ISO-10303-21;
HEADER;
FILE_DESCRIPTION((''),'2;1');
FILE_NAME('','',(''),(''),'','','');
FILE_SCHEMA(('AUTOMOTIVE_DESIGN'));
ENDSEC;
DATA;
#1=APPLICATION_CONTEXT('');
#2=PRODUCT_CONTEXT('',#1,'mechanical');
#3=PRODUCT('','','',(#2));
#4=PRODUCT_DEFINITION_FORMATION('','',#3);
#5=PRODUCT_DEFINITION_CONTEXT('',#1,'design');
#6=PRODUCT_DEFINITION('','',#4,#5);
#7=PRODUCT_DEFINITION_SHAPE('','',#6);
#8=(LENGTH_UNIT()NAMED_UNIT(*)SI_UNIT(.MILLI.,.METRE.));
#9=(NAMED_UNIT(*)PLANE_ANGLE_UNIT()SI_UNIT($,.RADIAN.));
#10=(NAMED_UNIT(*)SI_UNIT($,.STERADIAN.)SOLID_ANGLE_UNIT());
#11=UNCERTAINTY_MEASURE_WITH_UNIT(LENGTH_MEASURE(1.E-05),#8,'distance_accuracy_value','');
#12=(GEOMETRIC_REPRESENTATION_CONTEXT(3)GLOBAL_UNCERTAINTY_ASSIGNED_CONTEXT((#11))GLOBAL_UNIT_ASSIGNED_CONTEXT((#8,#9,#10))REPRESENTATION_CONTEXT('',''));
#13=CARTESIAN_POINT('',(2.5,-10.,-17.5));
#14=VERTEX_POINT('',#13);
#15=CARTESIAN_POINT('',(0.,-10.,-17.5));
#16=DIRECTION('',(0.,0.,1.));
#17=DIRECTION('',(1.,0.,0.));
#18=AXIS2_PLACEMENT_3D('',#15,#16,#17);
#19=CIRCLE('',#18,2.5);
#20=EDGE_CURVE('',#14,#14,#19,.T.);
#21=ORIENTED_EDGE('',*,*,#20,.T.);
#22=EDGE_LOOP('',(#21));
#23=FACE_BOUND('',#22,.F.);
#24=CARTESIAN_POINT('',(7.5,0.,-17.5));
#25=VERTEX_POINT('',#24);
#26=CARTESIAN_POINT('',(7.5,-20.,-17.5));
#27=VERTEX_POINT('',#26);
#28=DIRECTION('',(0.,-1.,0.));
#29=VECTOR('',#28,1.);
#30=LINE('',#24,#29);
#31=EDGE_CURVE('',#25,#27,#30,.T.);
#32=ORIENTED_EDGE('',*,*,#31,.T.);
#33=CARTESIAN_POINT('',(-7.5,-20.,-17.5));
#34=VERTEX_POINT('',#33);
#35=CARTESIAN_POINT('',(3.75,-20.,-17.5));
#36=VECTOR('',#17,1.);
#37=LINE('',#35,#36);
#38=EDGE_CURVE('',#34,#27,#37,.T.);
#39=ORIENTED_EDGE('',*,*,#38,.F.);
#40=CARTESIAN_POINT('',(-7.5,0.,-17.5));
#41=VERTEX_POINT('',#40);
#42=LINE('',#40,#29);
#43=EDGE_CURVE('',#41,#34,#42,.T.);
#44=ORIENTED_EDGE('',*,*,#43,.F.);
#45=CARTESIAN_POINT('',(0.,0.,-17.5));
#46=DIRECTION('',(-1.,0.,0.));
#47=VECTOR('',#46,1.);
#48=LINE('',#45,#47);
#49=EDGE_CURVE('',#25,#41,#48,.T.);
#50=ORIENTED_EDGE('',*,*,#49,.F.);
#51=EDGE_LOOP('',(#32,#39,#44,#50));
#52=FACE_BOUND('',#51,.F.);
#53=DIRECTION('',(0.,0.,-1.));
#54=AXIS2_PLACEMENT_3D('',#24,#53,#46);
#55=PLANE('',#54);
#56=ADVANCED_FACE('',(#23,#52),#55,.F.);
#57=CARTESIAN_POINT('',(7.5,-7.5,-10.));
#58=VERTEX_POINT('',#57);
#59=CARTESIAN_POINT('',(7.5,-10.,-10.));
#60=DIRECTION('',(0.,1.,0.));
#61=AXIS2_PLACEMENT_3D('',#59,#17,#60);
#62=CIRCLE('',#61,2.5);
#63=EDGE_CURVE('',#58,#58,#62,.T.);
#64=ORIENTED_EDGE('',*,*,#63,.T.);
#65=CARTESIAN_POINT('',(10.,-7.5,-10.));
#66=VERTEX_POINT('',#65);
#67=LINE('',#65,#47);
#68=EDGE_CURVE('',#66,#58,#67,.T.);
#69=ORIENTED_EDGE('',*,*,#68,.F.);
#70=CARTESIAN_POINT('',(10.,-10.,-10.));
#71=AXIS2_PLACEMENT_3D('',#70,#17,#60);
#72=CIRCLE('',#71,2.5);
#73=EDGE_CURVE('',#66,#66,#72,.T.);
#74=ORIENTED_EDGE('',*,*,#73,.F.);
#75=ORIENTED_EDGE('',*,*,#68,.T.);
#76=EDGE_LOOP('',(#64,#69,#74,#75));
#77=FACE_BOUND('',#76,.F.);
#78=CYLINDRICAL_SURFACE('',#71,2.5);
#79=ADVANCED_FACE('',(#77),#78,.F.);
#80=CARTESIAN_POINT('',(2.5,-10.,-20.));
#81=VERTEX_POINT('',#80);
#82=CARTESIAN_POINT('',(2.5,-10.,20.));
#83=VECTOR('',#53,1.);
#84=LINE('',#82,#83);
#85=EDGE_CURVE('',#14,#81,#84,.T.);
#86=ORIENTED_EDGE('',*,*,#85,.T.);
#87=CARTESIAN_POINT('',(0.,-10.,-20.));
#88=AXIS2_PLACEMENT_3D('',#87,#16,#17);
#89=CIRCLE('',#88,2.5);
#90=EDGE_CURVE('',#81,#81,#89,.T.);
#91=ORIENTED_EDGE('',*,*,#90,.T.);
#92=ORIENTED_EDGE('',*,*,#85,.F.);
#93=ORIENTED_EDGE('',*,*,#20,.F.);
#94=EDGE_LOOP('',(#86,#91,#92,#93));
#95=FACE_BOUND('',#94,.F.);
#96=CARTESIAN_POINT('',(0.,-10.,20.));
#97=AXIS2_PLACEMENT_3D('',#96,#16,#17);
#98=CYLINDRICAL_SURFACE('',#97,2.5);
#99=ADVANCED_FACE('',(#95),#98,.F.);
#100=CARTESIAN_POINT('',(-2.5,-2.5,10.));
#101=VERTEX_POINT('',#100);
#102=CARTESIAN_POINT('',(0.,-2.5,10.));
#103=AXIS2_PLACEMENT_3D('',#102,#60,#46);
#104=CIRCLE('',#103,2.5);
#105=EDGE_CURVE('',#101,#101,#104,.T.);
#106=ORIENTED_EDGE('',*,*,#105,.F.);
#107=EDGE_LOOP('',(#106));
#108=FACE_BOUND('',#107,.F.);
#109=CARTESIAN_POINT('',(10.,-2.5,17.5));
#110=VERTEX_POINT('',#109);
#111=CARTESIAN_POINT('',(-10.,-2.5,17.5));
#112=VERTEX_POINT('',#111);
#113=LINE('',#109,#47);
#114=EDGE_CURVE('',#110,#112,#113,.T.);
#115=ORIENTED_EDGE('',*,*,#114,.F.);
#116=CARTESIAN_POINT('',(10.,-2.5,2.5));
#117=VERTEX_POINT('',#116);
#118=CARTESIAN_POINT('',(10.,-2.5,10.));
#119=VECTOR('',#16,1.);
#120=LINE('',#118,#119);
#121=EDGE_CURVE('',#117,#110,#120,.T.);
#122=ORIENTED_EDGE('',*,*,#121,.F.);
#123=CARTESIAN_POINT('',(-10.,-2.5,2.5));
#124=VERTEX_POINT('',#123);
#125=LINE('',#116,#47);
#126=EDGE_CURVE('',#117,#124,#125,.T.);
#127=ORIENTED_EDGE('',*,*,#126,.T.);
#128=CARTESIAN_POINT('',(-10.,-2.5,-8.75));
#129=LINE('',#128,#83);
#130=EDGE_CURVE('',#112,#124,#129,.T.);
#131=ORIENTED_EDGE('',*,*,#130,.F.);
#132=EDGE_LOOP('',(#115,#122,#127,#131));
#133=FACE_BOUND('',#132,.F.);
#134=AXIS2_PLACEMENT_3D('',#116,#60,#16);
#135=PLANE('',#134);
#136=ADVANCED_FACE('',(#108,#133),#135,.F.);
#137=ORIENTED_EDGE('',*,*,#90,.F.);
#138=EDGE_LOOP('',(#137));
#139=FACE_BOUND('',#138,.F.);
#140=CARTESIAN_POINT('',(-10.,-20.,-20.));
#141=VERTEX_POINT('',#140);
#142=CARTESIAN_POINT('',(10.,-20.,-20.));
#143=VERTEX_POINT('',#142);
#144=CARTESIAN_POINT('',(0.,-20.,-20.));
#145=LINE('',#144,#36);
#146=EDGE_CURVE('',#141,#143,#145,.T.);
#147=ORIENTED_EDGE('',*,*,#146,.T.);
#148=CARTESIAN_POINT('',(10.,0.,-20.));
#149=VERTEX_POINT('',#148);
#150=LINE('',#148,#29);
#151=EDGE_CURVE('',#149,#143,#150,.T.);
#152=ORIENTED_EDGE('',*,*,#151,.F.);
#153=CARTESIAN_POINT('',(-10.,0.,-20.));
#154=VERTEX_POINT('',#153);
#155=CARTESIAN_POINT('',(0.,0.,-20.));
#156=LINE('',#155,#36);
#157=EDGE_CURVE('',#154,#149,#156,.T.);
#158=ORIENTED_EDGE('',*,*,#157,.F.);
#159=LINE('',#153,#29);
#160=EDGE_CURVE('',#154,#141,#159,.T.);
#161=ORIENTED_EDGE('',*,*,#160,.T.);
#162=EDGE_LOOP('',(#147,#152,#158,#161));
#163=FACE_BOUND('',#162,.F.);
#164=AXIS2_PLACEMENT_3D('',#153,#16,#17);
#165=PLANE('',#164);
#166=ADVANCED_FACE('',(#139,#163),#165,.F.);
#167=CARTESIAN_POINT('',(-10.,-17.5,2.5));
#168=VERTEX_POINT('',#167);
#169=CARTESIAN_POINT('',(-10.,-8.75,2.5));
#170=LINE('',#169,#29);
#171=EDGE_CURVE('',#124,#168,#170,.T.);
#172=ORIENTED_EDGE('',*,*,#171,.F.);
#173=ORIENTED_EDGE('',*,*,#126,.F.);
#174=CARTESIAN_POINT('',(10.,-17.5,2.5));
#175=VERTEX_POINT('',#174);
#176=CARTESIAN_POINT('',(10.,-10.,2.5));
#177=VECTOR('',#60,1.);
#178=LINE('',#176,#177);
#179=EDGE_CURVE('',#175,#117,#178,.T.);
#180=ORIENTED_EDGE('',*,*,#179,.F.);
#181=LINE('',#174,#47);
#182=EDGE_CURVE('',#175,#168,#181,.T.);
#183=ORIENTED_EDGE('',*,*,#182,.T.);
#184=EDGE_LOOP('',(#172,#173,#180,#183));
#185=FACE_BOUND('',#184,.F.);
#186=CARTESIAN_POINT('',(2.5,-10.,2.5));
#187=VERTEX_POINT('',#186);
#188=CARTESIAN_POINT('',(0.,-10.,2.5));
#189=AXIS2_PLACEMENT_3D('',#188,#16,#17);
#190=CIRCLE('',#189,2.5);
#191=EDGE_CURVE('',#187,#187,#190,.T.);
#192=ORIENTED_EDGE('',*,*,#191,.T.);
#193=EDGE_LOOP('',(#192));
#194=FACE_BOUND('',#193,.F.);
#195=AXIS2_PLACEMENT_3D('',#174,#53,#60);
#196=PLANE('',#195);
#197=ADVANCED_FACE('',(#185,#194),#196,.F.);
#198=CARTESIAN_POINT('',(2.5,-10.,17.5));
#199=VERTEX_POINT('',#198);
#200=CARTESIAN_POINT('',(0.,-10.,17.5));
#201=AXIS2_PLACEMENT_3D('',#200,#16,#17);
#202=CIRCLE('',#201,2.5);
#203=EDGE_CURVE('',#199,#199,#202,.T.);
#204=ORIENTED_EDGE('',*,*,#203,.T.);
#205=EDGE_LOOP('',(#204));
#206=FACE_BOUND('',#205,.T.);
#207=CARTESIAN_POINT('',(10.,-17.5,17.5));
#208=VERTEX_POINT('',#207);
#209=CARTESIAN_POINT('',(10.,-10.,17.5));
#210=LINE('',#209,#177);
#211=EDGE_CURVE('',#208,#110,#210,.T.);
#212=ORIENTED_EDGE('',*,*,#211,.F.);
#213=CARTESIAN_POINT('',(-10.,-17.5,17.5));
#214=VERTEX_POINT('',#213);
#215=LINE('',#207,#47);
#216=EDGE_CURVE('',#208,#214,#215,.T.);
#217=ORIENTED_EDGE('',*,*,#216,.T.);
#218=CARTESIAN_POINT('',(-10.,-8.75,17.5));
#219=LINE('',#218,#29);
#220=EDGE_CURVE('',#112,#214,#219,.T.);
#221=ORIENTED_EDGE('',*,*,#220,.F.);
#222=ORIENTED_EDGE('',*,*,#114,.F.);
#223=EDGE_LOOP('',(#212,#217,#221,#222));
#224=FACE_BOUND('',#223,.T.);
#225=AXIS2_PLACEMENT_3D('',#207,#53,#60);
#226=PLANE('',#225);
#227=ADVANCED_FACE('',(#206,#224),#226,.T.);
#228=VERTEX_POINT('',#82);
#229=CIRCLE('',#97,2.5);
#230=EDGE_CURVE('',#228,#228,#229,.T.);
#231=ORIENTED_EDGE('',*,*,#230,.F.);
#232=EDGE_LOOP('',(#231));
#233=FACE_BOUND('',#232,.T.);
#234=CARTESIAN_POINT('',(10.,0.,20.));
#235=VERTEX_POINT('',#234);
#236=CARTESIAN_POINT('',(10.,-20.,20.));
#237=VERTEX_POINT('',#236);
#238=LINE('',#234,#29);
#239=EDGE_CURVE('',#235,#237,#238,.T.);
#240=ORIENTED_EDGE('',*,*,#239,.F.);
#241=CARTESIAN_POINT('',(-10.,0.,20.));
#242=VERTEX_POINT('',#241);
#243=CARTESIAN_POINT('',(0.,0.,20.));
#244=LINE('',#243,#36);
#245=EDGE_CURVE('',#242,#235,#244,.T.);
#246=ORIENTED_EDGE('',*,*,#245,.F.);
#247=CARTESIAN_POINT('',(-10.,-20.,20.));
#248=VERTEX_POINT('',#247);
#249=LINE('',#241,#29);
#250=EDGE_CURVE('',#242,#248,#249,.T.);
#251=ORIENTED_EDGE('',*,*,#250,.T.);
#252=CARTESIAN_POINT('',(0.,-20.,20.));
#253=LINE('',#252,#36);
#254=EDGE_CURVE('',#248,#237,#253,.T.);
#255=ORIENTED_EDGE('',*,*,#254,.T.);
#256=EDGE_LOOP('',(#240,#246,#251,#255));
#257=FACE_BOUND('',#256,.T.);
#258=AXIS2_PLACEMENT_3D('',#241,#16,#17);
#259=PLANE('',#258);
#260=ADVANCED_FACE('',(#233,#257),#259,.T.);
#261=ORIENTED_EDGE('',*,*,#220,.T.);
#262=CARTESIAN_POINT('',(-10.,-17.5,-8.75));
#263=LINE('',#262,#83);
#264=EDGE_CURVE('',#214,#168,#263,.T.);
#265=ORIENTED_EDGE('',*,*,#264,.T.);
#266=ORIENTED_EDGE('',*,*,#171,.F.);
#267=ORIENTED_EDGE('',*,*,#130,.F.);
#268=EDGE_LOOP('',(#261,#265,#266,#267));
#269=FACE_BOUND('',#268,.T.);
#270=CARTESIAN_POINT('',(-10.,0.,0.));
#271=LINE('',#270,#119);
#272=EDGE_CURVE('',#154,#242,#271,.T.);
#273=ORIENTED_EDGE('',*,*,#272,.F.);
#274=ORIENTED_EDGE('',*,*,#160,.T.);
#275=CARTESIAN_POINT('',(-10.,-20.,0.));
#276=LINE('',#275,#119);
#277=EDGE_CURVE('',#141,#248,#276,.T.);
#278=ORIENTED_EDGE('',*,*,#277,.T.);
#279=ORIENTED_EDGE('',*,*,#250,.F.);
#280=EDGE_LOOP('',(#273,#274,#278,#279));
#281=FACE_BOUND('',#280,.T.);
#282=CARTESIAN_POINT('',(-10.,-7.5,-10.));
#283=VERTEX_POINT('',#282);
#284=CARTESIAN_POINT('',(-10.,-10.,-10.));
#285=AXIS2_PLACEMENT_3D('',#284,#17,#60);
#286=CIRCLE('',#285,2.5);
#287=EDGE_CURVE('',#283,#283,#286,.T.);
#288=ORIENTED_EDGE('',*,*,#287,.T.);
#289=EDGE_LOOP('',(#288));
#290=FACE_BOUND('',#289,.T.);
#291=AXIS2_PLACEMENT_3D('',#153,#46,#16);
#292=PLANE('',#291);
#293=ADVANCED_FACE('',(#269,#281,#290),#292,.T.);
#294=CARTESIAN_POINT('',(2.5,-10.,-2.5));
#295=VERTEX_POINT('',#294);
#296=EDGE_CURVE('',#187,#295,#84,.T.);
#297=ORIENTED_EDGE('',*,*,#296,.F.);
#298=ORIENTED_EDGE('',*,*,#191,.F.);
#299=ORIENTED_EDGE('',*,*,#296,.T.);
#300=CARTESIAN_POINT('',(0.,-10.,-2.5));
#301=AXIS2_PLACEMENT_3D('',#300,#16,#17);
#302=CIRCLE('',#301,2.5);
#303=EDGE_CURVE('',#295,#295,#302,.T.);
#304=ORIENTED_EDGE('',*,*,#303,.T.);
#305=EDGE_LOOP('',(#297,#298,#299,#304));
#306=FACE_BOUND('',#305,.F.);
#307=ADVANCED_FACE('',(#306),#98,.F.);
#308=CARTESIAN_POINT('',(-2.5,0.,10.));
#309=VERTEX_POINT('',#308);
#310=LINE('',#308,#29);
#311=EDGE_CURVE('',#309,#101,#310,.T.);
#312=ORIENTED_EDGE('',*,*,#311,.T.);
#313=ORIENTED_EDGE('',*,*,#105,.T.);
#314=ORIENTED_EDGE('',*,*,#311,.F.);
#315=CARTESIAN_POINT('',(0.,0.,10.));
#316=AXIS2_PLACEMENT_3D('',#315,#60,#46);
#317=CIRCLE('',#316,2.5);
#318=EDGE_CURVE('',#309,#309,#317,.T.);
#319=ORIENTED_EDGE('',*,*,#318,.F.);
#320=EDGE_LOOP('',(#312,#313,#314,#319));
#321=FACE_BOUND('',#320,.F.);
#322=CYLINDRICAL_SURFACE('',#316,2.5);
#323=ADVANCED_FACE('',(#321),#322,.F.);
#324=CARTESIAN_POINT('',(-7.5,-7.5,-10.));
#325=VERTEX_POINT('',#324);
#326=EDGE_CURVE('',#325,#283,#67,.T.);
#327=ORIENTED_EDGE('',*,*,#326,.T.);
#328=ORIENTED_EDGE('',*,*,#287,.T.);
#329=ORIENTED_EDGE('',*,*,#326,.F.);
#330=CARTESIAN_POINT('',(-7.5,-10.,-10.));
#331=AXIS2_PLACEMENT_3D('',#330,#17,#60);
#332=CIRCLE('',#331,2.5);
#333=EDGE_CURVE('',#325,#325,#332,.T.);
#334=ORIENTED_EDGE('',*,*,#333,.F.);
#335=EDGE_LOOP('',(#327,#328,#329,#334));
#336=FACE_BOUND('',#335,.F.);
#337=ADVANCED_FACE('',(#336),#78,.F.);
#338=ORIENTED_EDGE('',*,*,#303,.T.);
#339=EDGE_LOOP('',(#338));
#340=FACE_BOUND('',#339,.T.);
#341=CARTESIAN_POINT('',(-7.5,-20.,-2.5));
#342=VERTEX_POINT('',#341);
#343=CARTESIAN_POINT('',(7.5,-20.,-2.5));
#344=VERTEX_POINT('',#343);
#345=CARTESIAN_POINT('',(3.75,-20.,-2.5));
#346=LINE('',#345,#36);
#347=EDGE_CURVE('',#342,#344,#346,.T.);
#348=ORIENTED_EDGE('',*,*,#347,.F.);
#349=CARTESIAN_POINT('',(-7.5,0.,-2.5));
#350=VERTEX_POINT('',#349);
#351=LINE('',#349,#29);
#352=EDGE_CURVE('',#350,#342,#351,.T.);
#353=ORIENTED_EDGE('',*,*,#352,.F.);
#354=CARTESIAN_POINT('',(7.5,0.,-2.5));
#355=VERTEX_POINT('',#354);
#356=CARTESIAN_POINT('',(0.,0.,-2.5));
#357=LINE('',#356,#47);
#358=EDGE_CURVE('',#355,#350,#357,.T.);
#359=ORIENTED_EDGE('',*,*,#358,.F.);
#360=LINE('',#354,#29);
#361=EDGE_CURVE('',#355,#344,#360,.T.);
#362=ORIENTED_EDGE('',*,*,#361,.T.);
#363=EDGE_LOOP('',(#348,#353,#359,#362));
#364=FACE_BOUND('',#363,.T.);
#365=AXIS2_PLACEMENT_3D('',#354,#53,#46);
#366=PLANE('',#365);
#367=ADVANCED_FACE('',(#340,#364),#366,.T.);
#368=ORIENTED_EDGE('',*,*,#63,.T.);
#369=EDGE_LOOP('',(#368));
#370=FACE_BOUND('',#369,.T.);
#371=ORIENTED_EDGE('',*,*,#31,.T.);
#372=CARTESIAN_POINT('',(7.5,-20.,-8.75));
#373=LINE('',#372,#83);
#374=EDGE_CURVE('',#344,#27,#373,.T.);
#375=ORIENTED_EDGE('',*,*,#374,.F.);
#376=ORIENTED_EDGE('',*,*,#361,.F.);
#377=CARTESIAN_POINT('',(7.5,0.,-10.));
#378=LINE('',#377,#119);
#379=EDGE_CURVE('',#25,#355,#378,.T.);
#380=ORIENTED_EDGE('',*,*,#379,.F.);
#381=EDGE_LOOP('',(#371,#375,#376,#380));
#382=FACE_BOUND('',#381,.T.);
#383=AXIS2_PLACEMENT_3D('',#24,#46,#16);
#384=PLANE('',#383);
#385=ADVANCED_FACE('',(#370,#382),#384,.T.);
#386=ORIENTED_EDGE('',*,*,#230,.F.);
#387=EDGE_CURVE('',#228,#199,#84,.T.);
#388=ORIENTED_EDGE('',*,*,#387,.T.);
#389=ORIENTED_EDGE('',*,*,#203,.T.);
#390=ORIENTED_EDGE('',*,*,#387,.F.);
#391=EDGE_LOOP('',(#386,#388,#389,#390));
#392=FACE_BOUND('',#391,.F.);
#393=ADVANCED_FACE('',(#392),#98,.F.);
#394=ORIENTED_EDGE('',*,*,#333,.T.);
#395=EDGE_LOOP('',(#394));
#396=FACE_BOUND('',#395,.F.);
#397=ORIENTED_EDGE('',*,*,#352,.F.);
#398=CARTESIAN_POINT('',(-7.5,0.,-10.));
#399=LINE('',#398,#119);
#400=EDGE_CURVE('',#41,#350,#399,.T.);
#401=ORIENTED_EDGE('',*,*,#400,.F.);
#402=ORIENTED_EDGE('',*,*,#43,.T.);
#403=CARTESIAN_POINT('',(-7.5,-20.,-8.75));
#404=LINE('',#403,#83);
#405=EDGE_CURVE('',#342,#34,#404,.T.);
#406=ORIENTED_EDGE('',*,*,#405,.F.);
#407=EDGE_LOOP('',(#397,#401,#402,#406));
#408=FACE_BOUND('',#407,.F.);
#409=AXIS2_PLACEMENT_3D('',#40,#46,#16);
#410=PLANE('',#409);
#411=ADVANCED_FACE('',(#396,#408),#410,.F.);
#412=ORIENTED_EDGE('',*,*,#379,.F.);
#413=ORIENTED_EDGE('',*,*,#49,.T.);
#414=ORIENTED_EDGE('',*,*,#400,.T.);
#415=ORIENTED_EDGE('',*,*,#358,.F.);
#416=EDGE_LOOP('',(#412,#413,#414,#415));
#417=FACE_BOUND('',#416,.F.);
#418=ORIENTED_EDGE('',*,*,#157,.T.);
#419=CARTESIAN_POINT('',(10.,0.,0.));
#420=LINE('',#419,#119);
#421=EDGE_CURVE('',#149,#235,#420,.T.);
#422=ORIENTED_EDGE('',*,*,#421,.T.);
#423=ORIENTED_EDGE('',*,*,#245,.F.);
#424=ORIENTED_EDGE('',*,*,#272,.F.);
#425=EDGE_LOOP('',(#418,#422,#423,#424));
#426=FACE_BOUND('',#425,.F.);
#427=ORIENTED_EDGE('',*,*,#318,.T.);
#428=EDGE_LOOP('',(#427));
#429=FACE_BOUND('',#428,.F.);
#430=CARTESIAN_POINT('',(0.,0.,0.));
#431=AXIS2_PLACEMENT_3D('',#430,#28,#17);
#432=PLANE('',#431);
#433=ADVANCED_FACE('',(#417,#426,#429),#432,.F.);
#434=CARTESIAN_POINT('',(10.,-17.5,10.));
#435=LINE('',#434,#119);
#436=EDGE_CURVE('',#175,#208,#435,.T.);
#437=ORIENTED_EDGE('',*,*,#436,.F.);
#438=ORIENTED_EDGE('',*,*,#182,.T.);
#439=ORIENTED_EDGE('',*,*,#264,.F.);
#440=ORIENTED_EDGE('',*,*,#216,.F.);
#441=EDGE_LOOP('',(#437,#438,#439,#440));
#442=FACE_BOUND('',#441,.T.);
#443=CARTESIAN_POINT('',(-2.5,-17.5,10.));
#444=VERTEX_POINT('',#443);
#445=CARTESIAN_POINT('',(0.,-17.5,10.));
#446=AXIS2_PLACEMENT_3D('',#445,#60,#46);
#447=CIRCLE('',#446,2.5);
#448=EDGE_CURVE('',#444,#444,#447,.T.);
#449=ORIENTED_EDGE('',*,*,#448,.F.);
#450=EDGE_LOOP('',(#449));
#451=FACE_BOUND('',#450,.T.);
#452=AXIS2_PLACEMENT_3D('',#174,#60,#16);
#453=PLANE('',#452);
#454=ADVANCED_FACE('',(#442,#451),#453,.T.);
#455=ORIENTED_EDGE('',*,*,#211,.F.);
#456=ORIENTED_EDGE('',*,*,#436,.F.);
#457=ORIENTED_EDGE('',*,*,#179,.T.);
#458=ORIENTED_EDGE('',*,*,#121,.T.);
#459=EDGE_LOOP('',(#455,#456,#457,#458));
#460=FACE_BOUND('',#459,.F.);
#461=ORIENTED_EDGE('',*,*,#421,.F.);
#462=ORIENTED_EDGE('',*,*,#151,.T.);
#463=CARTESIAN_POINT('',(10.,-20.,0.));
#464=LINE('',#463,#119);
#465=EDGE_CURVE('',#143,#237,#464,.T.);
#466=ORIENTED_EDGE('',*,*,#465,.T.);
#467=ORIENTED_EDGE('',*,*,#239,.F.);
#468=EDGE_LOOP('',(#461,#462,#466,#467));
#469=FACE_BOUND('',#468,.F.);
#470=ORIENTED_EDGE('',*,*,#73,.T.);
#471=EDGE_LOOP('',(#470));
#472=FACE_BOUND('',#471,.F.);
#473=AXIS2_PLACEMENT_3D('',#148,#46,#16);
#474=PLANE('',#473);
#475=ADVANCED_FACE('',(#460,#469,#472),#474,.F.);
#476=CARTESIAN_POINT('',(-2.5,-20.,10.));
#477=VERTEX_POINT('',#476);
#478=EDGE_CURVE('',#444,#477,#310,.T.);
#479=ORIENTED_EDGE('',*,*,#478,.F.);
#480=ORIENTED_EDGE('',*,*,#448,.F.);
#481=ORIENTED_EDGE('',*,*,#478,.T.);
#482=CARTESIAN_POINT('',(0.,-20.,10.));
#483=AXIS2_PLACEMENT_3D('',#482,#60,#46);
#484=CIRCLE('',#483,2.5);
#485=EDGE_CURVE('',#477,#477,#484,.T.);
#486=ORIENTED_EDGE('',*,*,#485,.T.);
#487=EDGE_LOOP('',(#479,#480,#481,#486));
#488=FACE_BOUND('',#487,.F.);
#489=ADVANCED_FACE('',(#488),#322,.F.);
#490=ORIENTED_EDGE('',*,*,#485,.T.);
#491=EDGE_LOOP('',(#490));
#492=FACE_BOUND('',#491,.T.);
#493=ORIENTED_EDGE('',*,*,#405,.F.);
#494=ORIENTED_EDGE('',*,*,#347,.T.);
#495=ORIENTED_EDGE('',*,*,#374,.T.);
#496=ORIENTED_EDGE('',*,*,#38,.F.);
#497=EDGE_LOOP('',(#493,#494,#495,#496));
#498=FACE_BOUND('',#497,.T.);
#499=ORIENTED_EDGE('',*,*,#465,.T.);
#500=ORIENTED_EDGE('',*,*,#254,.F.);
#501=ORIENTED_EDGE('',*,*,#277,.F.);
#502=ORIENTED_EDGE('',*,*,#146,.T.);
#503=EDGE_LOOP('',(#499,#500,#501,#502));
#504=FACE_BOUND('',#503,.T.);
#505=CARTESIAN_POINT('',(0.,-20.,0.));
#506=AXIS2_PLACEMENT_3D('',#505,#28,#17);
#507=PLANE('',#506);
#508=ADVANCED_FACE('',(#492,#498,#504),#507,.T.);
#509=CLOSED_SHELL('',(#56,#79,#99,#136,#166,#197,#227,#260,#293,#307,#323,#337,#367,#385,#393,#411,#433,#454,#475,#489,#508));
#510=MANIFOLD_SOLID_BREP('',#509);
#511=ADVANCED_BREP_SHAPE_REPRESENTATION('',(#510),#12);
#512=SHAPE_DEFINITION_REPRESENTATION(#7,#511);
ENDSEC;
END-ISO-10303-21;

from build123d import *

# Parameters (mm, degrees)
F0_W     = 20
F0_H     = 40
F1_DEPTH = 20
F2_W     = 15
F2_H     = 15
F2_R     = 2.5
F3_DEPTH = 20.001
F4_W     = 15
F4_H     = 15
F4_R     = 2.5
F5_DEPTH = 20.001
F6_R     = 2.5
F7_DEPTH = 40.001


with BuildPart() as f1:
    # F0 (on Front) → F1 (new body)
    with BuildSketch(Plane.XZ):
        Rectangle(F0_W, F0_H)
    extrude(amount=F1_DEPTH)

    # F2 (on face) → F3 (cut, through all)
    with BuildSketch(Plane.YZ.offset(10)):
        with Locations((-10, 10)):
            Rectangle(F2_W, F2_H)
        with Locations((-10, -10)):
            Circle(F2_R)
    extrude(amount=-F3_DEPTH, mode=Mode.SUBTRACT)

    # F4 (on face) → F5 (cut, through all)
    with BuildSketch(Plane(origin=(0, 0, 0), x_dir=(-1, 0, 0), z_dir=(0, 1, 0))):
        with Locations((0, -10)):
            Rectangle(F4_W, F4_H)
        with Locations((0, 10)):
            Circle(F4_R)
    extrude(amount=-F5_DEPTH, mode=Mode.SUBTRACT)

    # F6 (on face) → F7 (cut, through all)
    with BuildSketch(Plane.XY.offset(20)):
        with Locations((0, -10)):
            Circle(F6_R)
    extrude(amount=-F7_DEPTH, mode=Mode.SUBTRACT)


solid = f1.part
